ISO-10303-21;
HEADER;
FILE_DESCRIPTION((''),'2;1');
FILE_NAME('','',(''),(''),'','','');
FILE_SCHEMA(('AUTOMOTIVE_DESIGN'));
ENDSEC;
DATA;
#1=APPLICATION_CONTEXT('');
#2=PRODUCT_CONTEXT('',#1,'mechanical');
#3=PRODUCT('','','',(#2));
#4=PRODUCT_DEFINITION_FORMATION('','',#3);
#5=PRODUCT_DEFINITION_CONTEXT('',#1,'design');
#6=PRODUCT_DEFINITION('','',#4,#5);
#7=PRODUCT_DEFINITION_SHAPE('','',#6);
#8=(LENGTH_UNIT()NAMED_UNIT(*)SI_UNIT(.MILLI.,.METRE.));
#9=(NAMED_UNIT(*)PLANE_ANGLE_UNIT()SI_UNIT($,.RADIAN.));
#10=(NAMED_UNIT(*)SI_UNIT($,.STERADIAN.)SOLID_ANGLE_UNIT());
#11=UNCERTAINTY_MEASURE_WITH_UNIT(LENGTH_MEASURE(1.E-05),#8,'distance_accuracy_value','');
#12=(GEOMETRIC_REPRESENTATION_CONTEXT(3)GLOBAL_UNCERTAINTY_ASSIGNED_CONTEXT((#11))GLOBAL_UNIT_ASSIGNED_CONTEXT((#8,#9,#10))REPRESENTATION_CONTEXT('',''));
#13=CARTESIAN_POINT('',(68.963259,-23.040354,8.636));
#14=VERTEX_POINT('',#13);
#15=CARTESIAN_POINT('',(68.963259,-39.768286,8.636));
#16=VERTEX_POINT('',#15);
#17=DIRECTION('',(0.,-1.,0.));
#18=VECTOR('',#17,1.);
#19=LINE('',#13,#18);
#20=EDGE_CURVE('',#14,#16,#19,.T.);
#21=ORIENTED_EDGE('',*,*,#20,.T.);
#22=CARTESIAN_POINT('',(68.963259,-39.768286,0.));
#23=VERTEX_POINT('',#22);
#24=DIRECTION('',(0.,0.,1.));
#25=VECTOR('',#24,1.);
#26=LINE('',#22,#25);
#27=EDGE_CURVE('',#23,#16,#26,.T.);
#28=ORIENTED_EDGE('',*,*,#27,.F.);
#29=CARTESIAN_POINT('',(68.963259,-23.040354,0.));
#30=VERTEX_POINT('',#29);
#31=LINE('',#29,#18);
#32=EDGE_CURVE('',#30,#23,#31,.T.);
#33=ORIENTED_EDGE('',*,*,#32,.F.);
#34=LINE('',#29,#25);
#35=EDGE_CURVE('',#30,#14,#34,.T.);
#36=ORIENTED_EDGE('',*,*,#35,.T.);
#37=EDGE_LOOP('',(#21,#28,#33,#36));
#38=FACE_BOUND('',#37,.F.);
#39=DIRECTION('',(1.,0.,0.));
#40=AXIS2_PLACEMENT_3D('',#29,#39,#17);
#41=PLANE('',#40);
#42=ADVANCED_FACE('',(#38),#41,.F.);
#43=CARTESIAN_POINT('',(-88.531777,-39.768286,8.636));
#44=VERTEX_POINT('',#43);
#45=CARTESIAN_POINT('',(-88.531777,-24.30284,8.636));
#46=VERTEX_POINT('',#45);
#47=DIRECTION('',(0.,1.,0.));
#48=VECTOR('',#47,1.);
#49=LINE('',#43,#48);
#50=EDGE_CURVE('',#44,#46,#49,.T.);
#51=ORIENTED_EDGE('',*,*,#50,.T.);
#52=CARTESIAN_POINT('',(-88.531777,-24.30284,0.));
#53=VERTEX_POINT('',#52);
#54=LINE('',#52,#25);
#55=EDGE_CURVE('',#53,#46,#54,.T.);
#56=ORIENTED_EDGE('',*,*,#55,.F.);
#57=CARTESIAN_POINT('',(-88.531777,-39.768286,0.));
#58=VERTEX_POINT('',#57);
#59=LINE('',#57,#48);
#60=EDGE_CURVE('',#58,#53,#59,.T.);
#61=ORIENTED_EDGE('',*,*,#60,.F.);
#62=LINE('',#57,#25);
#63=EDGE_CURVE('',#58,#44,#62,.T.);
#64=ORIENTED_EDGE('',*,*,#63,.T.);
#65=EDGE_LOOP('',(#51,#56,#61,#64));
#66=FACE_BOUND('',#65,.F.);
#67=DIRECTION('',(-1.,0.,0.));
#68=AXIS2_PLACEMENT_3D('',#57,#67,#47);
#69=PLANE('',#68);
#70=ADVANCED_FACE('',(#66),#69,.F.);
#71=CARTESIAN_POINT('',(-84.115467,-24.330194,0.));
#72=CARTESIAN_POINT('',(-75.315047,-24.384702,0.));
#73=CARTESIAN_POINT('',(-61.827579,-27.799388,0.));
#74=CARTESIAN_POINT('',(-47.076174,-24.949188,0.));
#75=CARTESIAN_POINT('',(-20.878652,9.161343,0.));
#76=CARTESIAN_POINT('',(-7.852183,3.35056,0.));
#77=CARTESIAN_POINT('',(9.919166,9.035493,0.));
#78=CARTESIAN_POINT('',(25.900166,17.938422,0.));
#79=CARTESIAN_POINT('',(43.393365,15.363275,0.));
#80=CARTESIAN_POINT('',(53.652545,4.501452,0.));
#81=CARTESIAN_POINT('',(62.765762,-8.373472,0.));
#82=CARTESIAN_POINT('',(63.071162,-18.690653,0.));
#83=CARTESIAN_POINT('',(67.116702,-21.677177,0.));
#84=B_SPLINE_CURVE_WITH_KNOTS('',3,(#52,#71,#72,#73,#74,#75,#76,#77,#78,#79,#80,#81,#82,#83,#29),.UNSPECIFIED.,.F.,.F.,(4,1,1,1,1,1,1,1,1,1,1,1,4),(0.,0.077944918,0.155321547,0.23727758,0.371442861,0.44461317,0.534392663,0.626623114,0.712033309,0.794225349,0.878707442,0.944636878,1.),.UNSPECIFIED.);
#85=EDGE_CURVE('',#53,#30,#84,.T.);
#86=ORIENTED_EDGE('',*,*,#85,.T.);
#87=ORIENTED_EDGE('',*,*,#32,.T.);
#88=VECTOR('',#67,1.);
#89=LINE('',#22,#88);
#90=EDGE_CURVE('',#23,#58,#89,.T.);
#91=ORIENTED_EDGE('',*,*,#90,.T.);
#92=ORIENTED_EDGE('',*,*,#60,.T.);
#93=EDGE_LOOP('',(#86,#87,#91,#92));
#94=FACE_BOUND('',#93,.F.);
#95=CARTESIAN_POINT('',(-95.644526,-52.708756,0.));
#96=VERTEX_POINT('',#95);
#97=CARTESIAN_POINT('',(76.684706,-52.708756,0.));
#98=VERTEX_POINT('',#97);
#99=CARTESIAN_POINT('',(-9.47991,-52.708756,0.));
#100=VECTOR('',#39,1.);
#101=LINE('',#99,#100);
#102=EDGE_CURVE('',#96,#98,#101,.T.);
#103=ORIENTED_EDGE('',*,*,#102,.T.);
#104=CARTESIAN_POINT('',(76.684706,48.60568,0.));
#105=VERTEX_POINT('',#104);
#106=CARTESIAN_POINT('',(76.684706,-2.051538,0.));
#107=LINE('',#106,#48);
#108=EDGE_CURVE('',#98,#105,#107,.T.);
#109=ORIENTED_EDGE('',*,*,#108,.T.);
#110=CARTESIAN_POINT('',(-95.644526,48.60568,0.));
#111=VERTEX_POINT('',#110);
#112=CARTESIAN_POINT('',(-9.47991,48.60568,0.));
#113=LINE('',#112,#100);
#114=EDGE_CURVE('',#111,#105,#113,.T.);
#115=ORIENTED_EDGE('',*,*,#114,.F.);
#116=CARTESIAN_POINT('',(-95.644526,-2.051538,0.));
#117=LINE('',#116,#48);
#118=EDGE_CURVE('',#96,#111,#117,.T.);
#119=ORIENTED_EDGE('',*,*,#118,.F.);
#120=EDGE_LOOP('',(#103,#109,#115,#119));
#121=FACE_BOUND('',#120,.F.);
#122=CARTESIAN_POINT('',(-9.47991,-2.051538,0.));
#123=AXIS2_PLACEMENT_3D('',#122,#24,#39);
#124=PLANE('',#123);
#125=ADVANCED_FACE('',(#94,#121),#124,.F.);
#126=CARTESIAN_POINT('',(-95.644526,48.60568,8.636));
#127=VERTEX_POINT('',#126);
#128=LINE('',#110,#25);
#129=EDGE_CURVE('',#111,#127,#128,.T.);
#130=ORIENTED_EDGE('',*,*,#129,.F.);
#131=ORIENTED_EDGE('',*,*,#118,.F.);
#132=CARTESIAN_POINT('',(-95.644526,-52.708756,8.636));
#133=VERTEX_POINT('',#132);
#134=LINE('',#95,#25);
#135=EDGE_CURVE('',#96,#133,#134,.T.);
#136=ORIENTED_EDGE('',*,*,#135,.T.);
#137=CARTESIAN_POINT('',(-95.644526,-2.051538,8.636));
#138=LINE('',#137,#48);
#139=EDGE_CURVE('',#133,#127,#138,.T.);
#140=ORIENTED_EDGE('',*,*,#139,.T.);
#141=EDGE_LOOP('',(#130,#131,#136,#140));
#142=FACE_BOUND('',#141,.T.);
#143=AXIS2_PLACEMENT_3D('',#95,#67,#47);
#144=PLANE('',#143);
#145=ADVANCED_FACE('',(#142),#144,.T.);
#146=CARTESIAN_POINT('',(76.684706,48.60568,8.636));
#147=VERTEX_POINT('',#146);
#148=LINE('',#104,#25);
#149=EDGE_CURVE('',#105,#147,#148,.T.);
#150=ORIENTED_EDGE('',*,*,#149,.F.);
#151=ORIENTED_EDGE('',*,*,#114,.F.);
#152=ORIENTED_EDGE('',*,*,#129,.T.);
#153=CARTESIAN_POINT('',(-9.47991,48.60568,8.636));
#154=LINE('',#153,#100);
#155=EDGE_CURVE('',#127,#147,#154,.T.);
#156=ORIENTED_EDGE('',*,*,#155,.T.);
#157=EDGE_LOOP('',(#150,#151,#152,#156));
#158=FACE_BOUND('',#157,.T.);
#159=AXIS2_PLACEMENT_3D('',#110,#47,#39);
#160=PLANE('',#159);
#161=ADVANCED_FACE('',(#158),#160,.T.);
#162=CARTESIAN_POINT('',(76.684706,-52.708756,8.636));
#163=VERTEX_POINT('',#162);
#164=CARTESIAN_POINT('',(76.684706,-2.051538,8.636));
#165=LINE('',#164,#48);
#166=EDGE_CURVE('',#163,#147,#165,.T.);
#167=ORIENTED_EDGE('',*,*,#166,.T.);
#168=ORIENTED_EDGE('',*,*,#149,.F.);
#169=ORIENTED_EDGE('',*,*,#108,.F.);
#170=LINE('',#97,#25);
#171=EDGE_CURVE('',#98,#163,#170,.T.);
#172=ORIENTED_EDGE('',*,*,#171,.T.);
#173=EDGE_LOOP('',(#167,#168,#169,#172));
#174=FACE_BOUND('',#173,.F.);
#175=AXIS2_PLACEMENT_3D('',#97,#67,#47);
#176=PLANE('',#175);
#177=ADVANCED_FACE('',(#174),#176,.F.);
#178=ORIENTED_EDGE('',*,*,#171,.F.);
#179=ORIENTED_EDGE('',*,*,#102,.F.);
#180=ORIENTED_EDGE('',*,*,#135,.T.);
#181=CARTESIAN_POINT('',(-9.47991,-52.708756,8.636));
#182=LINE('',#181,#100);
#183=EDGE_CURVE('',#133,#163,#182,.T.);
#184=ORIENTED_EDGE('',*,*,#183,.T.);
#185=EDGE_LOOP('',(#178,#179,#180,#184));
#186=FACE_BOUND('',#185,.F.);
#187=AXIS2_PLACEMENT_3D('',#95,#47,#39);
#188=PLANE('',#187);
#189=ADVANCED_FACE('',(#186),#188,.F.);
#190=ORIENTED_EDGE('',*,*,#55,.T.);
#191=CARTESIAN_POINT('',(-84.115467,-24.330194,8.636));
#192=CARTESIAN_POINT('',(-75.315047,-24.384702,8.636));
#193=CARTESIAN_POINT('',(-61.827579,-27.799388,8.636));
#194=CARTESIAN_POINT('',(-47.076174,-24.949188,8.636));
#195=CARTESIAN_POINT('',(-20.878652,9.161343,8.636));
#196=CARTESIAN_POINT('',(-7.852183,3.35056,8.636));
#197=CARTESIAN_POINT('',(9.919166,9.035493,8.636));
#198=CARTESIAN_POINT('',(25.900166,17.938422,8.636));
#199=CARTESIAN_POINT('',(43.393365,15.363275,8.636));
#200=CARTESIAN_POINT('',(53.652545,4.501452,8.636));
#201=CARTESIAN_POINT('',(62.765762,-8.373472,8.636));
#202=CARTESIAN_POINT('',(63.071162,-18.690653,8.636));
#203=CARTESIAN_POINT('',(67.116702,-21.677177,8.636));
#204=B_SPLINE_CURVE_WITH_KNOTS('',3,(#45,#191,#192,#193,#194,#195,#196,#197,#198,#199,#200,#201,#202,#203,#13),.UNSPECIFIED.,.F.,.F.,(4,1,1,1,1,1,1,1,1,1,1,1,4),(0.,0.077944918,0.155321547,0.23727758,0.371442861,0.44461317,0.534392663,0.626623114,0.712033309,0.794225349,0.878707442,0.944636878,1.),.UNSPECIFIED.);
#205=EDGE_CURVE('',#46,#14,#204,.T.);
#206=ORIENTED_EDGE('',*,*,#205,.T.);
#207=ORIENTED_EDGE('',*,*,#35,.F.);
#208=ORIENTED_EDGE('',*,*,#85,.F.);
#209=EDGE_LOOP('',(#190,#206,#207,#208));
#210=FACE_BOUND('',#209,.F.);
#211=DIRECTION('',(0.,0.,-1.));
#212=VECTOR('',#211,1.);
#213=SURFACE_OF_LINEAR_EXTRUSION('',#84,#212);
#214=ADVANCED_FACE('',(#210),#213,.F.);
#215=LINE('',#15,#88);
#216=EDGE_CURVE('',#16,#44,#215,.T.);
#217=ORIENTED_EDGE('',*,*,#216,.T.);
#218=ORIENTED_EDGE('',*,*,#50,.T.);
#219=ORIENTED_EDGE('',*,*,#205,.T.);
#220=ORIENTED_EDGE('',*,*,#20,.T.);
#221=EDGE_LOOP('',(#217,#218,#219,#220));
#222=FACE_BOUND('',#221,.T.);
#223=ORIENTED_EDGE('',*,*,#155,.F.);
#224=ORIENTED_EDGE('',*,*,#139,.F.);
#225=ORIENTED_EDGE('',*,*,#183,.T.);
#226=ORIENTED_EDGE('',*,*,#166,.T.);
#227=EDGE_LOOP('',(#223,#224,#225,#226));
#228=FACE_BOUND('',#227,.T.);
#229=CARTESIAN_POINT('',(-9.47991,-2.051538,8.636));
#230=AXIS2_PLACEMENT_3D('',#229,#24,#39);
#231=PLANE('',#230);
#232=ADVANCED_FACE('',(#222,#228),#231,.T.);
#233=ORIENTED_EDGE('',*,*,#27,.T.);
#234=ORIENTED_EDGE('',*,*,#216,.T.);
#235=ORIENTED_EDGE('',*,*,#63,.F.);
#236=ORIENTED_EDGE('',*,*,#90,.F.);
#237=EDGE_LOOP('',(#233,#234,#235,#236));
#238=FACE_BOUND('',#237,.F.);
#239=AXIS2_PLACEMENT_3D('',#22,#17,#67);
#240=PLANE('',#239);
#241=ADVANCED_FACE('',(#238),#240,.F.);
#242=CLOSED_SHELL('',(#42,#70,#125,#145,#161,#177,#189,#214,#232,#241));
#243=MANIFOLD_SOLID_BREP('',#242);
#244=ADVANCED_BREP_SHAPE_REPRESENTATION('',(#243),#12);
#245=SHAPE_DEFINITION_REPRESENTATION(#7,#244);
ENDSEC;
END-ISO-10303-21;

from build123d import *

# Parameters (mm, degrees)
F0_W     = 172.3292320967
F0_H     = 101.3144366443
F1_DEPTH = 8.636


with BuildPart() as f1:
    # F0 (on Top) → F1 (new body)
    with BuildSketch(Plane.XY):
        with Locations((-9.4799101353, -2.0515378565)):
            Rectangle(F0_W, F0_H)
        with BuildLine():
            Line((-88.5317772627, -39.7682860494), (-88.5317772627, -24.3028402328))
            add(Edge.make_bspline(
                [(-88.5317772627, -24.3028402328), (-84.1154674532, -24.3301939838), (-75.3150467023, -24.3847020523), (-61.8275793588, -27.7993877149), (-47.0761740058, -24.9491878227), (-20.8786523411, 9.1613433382), (-7.8521832723, 3.3505598391), (9.9191664694, 9.0354925092), (25.9001660214, 17.9384215056), (43.3933649001, 15.3632753855), (53.6525453865, 4.5014515518), (62.7657621664, -8.3734717511), (63.0711616447, -18.6906526874), (67.1167016184, -21.677176691), (68.9632594585, -23.0403542519)],
                knots=[0, 0, 0, 0, 0.0779449177, 0.1553215468, 0.2372775798, 0.3714428612, 0.4446131703, 0.5343926631, 0.6266231138, 0.7120333092, 0.7942253488, 0.8787074423, 0.9446368779, 1, 1, 1, 1], degree=3))
            Line((68.9632594585, -23.0403542519), (68.9632594585, -39.7682860494))
            Line((68.9632594585, -39.7682860494), (-88.5317772627, -39.7682860494))
        make_face(mode=Mode.SUBTRACT)
    extrude(amount=F1_DEPTH)


solid = f1.part
